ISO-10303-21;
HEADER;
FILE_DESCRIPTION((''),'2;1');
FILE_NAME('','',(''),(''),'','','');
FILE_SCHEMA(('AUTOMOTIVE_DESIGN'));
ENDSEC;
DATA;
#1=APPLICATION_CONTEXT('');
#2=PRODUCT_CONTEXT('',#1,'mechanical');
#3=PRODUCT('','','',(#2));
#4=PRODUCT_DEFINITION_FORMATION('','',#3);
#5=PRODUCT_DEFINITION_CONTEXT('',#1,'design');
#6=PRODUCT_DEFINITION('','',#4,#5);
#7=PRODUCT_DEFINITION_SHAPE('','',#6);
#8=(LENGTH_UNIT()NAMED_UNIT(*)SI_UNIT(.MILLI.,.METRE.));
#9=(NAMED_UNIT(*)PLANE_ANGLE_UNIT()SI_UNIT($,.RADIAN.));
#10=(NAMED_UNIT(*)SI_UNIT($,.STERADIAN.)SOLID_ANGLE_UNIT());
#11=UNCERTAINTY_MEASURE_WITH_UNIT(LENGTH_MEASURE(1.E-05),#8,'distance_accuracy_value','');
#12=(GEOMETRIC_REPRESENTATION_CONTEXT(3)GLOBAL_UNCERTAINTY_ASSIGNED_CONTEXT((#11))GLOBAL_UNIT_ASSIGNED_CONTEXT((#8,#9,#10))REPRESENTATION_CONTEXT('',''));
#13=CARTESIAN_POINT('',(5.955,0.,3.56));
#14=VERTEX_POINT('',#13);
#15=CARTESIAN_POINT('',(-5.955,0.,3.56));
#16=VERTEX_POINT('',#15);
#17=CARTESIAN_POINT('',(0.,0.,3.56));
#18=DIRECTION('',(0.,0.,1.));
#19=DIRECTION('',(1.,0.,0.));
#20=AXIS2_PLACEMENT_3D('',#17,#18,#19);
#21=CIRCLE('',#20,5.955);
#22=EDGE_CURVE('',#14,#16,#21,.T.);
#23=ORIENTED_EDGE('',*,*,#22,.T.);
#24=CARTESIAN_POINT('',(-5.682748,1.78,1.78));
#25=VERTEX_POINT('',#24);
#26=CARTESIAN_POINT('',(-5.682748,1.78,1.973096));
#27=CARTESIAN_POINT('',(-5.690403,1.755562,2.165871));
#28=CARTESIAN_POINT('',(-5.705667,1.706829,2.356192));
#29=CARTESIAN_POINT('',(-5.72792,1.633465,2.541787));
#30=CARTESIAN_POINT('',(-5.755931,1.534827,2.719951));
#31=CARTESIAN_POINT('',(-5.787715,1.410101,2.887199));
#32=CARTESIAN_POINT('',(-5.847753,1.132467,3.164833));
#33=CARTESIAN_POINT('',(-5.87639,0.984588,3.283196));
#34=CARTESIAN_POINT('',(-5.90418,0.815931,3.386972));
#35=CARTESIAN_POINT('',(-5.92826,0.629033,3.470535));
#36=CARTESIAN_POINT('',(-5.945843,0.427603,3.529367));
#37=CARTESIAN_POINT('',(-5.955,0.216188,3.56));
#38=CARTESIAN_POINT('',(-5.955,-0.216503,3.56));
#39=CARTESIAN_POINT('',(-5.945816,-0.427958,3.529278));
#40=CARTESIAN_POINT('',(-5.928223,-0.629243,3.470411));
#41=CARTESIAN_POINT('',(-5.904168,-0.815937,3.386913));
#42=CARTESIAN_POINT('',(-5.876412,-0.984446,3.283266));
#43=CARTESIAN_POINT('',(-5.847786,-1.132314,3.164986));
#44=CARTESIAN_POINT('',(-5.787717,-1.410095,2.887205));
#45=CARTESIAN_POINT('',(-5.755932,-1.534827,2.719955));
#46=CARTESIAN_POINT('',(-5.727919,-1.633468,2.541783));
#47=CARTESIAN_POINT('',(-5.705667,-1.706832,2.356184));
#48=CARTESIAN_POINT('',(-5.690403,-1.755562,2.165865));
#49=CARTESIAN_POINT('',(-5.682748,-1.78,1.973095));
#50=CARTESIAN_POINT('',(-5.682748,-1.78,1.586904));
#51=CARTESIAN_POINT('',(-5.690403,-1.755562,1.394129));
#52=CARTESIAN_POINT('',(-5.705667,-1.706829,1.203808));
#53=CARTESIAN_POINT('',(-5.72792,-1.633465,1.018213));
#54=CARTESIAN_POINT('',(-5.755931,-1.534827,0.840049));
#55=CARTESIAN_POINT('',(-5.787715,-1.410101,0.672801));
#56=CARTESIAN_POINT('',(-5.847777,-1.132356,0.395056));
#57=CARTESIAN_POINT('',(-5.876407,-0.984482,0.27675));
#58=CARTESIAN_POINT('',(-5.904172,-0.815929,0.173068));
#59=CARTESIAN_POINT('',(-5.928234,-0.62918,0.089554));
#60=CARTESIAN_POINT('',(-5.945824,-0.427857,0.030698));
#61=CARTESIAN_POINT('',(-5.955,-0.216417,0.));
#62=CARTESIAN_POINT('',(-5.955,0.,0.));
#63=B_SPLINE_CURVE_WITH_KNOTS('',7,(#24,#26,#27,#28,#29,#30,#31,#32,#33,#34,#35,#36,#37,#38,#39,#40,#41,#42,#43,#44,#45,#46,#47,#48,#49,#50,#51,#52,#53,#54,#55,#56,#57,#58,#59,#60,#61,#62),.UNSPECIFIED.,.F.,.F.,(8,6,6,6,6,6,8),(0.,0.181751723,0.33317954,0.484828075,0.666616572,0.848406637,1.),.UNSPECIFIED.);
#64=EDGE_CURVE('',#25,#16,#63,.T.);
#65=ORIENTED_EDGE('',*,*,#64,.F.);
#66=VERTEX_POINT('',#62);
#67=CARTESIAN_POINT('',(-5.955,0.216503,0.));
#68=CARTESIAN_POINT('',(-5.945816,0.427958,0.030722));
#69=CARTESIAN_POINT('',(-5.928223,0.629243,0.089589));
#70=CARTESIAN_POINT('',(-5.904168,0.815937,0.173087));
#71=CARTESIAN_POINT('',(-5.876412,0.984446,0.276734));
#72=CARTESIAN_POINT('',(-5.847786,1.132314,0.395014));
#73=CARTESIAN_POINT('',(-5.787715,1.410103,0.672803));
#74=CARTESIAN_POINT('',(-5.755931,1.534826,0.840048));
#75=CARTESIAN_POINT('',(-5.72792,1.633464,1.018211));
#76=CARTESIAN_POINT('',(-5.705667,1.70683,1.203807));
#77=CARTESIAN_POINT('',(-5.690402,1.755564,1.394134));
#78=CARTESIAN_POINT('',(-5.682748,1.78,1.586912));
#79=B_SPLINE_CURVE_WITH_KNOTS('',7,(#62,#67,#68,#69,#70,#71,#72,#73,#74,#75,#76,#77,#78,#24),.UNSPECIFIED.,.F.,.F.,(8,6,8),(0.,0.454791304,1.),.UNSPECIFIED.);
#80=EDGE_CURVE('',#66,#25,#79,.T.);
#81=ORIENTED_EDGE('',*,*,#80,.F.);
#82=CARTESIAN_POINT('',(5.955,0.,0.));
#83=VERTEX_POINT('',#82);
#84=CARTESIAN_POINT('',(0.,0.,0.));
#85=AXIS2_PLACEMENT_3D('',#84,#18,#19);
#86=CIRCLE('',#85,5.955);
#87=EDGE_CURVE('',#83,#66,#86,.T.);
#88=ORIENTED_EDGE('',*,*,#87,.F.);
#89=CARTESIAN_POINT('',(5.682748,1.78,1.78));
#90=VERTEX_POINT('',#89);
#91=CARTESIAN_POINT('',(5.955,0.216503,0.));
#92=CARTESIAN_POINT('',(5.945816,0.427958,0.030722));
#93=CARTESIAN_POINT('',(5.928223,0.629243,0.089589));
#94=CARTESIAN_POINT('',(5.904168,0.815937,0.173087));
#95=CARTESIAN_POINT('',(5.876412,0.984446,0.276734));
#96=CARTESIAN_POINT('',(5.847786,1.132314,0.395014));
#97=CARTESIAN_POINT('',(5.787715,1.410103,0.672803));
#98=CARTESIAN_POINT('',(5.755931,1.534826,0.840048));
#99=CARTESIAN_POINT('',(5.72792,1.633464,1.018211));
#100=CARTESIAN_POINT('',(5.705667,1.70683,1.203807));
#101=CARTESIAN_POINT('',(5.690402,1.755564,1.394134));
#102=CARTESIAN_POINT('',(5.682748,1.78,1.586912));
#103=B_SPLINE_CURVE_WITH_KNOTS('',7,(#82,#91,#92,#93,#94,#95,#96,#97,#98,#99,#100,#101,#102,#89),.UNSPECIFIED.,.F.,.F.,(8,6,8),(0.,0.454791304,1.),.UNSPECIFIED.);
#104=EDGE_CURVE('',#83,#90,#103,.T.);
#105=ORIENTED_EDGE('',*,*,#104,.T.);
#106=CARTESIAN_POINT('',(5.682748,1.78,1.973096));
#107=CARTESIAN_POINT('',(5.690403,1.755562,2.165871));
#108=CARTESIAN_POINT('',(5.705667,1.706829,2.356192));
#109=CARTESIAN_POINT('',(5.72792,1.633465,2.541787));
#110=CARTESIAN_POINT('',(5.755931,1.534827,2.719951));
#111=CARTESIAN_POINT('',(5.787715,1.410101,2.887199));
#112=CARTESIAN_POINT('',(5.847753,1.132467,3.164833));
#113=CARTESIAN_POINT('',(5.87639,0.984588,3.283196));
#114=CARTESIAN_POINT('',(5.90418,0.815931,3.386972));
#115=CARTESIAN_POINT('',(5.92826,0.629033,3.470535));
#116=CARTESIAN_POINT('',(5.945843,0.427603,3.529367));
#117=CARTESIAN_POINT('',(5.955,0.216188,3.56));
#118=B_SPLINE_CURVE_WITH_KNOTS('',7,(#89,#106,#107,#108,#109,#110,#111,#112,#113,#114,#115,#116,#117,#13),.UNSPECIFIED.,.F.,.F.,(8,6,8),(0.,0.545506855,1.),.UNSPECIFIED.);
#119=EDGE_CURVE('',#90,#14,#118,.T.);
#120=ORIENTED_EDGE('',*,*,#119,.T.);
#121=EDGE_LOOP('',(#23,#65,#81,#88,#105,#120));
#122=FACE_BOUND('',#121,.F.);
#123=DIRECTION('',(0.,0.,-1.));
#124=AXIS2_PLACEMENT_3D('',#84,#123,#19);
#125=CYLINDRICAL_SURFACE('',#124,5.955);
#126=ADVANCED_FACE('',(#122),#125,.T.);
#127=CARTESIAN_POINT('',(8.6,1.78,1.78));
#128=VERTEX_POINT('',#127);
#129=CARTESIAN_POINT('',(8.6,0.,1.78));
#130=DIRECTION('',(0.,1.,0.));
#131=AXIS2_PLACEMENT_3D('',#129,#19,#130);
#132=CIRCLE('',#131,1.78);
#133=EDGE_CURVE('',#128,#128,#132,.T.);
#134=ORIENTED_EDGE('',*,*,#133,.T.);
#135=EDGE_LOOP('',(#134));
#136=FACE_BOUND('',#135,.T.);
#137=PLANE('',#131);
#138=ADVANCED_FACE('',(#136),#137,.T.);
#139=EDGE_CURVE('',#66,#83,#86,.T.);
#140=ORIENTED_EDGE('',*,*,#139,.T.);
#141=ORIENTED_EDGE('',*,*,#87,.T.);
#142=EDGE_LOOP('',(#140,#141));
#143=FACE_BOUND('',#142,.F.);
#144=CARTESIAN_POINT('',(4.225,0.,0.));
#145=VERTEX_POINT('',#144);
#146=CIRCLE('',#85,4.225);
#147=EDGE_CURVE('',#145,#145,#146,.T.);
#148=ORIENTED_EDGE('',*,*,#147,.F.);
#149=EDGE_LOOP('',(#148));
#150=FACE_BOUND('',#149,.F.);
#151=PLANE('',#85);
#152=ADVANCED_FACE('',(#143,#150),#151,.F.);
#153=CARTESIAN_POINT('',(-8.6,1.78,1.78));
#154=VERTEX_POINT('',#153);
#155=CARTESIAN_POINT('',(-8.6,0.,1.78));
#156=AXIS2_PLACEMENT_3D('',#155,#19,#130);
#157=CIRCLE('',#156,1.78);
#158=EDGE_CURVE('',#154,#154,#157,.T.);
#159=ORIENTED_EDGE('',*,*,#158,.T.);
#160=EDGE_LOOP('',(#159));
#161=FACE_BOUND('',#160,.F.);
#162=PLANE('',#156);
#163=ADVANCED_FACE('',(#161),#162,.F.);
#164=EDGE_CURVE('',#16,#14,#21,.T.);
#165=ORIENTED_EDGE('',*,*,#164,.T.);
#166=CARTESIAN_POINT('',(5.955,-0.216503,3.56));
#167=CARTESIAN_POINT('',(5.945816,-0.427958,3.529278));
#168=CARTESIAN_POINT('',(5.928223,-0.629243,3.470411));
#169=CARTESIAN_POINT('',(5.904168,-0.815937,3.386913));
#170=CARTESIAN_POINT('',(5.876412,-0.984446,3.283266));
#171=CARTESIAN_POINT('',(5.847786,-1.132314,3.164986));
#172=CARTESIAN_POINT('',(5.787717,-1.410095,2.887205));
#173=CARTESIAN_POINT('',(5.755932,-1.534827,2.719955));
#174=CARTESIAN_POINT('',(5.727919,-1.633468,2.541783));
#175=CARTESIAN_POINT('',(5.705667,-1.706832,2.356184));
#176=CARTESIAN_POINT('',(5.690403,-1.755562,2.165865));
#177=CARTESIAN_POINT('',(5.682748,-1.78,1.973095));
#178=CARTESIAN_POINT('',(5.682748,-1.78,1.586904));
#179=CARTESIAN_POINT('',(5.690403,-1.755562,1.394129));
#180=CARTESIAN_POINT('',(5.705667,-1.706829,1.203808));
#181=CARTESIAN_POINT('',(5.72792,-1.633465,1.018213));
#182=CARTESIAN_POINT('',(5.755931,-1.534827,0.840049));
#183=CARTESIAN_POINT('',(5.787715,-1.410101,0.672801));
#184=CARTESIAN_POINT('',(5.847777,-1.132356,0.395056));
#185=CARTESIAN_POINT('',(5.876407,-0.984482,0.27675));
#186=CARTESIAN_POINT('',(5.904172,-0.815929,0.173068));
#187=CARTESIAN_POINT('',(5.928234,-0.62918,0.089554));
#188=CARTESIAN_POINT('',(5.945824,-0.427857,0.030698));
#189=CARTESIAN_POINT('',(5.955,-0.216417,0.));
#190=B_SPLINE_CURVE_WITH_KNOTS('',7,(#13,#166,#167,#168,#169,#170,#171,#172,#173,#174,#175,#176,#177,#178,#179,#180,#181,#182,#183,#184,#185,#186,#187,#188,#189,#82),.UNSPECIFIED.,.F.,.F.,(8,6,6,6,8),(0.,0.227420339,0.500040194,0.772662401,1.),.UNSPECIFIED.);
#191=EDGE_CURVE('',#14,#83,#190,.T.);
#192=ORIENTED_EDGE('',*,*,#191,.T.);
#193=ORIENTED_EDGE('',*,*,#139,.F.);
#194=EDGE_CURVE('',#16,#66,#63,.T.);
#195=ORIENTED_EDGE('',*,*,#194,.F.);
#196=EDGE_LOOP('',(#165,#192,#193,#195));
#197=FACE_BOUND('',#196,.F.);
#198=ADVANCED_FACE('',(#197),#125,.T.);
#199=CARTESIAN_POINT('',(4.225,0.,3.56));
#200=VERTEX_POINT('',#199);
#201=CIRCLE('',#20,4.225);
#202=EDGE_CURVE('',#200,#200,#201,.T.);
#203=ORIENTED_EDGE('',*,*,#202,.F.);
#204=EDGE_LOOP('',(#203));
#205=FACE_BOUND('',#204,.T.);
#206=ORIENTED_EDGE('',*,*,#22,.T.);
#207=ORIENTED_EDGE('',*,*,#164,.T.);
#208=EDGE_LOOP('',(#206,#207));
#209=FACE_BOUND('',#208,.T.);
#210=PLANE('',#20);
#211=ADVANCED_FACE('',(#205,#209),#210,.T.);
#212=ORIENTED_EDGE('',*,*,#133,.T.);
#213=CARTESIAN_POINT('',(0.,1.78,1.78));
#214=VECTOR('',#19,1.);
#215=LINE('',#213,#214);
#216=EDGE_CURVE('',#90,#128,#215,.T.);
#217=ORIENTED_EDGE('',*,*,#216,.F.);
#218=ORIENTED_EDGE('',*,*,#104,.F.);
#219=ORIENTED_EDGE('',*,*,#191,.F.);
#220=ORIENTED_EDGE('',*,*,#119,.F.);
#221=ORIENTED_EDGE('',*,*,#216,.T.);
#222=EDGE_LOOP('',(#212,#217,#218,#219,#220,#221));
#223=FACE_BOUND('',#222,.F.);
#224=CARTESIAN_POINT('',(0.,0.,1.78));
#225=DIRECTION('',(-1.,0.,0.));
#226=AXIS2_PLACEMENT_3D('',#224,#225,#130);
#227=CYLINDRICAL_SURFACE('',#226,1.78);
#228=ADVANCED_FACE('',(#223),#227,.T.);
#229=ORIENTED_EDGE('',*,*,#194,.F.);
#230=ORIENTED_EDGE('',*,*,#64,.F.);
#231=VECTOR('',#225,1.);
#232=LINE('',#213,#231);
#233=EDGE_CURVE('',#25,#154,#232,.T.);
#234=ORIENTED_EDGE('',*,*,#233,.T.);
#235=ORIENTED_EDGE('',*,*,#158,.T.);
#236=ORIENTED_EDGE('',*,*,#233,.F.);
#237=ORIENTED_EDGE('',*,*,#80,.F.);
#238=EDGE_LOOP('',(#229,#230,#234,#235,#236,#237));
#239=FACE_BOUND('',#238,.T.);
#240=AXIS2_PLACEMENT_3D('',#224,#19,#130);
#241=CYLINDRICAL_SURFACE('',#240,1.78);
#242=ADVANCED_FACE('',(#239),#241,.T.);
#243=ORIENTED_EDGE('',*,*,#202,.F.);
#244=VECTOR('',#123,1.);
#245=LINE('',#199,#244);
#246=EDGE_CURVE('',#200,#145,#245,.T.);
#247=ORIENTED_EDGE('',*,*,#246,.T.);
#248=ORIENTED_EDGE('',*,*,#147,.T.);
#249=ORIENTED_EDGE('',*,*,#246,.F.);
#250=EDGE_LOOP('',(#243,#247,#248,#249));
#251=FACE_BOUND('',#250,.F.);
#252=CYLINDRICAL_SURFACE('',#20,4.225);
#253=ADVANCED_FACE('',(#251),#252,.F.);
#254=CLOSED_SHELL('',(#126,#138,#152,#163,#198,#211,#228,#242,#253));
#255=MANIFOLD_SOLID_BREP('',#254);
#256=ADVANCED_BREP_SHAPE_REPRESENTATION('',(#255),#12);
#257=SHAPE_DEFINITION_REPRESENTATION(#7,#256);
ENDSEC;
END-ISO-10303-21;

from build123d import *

# Parameters (mm, degrees)
F0_R          = 1.78
F1_DEPTH      = 8.6
F1_DEPTH_BACK = 8.6
F2_R          = 5.955
F3_DEPTH      = 3.56
F4_R          = 4.225
F5_DEPTH      = 3.56


with BuildPart() as f1:
    # F0 (on Right) → F1 (new body, two sides)
    with BuildSketch(Plane.YZ) as f1_sk:
        with Locations((0, 1.78)):
            Circle(F0_R)
    extrude(amount=-F1_DEPTH)
    extrude(f1_sk.sketch, amount=F1_DEPTH_BACK)

    # F2 (on Top) → F3 (join)
    with BuildSketch(Plane.XY):
        Circle(F2_R)
    extrude(amount=F3_DEPTH)

    # F4 (on face) → F5 (cut)
    with BuildSketch(Plane.XY.offset(3.56)):
        Circle(F4_R)
    extrude(amount=-F5_DEPTH, mode=Mode.SUBTRACT)


solid = f1.part
